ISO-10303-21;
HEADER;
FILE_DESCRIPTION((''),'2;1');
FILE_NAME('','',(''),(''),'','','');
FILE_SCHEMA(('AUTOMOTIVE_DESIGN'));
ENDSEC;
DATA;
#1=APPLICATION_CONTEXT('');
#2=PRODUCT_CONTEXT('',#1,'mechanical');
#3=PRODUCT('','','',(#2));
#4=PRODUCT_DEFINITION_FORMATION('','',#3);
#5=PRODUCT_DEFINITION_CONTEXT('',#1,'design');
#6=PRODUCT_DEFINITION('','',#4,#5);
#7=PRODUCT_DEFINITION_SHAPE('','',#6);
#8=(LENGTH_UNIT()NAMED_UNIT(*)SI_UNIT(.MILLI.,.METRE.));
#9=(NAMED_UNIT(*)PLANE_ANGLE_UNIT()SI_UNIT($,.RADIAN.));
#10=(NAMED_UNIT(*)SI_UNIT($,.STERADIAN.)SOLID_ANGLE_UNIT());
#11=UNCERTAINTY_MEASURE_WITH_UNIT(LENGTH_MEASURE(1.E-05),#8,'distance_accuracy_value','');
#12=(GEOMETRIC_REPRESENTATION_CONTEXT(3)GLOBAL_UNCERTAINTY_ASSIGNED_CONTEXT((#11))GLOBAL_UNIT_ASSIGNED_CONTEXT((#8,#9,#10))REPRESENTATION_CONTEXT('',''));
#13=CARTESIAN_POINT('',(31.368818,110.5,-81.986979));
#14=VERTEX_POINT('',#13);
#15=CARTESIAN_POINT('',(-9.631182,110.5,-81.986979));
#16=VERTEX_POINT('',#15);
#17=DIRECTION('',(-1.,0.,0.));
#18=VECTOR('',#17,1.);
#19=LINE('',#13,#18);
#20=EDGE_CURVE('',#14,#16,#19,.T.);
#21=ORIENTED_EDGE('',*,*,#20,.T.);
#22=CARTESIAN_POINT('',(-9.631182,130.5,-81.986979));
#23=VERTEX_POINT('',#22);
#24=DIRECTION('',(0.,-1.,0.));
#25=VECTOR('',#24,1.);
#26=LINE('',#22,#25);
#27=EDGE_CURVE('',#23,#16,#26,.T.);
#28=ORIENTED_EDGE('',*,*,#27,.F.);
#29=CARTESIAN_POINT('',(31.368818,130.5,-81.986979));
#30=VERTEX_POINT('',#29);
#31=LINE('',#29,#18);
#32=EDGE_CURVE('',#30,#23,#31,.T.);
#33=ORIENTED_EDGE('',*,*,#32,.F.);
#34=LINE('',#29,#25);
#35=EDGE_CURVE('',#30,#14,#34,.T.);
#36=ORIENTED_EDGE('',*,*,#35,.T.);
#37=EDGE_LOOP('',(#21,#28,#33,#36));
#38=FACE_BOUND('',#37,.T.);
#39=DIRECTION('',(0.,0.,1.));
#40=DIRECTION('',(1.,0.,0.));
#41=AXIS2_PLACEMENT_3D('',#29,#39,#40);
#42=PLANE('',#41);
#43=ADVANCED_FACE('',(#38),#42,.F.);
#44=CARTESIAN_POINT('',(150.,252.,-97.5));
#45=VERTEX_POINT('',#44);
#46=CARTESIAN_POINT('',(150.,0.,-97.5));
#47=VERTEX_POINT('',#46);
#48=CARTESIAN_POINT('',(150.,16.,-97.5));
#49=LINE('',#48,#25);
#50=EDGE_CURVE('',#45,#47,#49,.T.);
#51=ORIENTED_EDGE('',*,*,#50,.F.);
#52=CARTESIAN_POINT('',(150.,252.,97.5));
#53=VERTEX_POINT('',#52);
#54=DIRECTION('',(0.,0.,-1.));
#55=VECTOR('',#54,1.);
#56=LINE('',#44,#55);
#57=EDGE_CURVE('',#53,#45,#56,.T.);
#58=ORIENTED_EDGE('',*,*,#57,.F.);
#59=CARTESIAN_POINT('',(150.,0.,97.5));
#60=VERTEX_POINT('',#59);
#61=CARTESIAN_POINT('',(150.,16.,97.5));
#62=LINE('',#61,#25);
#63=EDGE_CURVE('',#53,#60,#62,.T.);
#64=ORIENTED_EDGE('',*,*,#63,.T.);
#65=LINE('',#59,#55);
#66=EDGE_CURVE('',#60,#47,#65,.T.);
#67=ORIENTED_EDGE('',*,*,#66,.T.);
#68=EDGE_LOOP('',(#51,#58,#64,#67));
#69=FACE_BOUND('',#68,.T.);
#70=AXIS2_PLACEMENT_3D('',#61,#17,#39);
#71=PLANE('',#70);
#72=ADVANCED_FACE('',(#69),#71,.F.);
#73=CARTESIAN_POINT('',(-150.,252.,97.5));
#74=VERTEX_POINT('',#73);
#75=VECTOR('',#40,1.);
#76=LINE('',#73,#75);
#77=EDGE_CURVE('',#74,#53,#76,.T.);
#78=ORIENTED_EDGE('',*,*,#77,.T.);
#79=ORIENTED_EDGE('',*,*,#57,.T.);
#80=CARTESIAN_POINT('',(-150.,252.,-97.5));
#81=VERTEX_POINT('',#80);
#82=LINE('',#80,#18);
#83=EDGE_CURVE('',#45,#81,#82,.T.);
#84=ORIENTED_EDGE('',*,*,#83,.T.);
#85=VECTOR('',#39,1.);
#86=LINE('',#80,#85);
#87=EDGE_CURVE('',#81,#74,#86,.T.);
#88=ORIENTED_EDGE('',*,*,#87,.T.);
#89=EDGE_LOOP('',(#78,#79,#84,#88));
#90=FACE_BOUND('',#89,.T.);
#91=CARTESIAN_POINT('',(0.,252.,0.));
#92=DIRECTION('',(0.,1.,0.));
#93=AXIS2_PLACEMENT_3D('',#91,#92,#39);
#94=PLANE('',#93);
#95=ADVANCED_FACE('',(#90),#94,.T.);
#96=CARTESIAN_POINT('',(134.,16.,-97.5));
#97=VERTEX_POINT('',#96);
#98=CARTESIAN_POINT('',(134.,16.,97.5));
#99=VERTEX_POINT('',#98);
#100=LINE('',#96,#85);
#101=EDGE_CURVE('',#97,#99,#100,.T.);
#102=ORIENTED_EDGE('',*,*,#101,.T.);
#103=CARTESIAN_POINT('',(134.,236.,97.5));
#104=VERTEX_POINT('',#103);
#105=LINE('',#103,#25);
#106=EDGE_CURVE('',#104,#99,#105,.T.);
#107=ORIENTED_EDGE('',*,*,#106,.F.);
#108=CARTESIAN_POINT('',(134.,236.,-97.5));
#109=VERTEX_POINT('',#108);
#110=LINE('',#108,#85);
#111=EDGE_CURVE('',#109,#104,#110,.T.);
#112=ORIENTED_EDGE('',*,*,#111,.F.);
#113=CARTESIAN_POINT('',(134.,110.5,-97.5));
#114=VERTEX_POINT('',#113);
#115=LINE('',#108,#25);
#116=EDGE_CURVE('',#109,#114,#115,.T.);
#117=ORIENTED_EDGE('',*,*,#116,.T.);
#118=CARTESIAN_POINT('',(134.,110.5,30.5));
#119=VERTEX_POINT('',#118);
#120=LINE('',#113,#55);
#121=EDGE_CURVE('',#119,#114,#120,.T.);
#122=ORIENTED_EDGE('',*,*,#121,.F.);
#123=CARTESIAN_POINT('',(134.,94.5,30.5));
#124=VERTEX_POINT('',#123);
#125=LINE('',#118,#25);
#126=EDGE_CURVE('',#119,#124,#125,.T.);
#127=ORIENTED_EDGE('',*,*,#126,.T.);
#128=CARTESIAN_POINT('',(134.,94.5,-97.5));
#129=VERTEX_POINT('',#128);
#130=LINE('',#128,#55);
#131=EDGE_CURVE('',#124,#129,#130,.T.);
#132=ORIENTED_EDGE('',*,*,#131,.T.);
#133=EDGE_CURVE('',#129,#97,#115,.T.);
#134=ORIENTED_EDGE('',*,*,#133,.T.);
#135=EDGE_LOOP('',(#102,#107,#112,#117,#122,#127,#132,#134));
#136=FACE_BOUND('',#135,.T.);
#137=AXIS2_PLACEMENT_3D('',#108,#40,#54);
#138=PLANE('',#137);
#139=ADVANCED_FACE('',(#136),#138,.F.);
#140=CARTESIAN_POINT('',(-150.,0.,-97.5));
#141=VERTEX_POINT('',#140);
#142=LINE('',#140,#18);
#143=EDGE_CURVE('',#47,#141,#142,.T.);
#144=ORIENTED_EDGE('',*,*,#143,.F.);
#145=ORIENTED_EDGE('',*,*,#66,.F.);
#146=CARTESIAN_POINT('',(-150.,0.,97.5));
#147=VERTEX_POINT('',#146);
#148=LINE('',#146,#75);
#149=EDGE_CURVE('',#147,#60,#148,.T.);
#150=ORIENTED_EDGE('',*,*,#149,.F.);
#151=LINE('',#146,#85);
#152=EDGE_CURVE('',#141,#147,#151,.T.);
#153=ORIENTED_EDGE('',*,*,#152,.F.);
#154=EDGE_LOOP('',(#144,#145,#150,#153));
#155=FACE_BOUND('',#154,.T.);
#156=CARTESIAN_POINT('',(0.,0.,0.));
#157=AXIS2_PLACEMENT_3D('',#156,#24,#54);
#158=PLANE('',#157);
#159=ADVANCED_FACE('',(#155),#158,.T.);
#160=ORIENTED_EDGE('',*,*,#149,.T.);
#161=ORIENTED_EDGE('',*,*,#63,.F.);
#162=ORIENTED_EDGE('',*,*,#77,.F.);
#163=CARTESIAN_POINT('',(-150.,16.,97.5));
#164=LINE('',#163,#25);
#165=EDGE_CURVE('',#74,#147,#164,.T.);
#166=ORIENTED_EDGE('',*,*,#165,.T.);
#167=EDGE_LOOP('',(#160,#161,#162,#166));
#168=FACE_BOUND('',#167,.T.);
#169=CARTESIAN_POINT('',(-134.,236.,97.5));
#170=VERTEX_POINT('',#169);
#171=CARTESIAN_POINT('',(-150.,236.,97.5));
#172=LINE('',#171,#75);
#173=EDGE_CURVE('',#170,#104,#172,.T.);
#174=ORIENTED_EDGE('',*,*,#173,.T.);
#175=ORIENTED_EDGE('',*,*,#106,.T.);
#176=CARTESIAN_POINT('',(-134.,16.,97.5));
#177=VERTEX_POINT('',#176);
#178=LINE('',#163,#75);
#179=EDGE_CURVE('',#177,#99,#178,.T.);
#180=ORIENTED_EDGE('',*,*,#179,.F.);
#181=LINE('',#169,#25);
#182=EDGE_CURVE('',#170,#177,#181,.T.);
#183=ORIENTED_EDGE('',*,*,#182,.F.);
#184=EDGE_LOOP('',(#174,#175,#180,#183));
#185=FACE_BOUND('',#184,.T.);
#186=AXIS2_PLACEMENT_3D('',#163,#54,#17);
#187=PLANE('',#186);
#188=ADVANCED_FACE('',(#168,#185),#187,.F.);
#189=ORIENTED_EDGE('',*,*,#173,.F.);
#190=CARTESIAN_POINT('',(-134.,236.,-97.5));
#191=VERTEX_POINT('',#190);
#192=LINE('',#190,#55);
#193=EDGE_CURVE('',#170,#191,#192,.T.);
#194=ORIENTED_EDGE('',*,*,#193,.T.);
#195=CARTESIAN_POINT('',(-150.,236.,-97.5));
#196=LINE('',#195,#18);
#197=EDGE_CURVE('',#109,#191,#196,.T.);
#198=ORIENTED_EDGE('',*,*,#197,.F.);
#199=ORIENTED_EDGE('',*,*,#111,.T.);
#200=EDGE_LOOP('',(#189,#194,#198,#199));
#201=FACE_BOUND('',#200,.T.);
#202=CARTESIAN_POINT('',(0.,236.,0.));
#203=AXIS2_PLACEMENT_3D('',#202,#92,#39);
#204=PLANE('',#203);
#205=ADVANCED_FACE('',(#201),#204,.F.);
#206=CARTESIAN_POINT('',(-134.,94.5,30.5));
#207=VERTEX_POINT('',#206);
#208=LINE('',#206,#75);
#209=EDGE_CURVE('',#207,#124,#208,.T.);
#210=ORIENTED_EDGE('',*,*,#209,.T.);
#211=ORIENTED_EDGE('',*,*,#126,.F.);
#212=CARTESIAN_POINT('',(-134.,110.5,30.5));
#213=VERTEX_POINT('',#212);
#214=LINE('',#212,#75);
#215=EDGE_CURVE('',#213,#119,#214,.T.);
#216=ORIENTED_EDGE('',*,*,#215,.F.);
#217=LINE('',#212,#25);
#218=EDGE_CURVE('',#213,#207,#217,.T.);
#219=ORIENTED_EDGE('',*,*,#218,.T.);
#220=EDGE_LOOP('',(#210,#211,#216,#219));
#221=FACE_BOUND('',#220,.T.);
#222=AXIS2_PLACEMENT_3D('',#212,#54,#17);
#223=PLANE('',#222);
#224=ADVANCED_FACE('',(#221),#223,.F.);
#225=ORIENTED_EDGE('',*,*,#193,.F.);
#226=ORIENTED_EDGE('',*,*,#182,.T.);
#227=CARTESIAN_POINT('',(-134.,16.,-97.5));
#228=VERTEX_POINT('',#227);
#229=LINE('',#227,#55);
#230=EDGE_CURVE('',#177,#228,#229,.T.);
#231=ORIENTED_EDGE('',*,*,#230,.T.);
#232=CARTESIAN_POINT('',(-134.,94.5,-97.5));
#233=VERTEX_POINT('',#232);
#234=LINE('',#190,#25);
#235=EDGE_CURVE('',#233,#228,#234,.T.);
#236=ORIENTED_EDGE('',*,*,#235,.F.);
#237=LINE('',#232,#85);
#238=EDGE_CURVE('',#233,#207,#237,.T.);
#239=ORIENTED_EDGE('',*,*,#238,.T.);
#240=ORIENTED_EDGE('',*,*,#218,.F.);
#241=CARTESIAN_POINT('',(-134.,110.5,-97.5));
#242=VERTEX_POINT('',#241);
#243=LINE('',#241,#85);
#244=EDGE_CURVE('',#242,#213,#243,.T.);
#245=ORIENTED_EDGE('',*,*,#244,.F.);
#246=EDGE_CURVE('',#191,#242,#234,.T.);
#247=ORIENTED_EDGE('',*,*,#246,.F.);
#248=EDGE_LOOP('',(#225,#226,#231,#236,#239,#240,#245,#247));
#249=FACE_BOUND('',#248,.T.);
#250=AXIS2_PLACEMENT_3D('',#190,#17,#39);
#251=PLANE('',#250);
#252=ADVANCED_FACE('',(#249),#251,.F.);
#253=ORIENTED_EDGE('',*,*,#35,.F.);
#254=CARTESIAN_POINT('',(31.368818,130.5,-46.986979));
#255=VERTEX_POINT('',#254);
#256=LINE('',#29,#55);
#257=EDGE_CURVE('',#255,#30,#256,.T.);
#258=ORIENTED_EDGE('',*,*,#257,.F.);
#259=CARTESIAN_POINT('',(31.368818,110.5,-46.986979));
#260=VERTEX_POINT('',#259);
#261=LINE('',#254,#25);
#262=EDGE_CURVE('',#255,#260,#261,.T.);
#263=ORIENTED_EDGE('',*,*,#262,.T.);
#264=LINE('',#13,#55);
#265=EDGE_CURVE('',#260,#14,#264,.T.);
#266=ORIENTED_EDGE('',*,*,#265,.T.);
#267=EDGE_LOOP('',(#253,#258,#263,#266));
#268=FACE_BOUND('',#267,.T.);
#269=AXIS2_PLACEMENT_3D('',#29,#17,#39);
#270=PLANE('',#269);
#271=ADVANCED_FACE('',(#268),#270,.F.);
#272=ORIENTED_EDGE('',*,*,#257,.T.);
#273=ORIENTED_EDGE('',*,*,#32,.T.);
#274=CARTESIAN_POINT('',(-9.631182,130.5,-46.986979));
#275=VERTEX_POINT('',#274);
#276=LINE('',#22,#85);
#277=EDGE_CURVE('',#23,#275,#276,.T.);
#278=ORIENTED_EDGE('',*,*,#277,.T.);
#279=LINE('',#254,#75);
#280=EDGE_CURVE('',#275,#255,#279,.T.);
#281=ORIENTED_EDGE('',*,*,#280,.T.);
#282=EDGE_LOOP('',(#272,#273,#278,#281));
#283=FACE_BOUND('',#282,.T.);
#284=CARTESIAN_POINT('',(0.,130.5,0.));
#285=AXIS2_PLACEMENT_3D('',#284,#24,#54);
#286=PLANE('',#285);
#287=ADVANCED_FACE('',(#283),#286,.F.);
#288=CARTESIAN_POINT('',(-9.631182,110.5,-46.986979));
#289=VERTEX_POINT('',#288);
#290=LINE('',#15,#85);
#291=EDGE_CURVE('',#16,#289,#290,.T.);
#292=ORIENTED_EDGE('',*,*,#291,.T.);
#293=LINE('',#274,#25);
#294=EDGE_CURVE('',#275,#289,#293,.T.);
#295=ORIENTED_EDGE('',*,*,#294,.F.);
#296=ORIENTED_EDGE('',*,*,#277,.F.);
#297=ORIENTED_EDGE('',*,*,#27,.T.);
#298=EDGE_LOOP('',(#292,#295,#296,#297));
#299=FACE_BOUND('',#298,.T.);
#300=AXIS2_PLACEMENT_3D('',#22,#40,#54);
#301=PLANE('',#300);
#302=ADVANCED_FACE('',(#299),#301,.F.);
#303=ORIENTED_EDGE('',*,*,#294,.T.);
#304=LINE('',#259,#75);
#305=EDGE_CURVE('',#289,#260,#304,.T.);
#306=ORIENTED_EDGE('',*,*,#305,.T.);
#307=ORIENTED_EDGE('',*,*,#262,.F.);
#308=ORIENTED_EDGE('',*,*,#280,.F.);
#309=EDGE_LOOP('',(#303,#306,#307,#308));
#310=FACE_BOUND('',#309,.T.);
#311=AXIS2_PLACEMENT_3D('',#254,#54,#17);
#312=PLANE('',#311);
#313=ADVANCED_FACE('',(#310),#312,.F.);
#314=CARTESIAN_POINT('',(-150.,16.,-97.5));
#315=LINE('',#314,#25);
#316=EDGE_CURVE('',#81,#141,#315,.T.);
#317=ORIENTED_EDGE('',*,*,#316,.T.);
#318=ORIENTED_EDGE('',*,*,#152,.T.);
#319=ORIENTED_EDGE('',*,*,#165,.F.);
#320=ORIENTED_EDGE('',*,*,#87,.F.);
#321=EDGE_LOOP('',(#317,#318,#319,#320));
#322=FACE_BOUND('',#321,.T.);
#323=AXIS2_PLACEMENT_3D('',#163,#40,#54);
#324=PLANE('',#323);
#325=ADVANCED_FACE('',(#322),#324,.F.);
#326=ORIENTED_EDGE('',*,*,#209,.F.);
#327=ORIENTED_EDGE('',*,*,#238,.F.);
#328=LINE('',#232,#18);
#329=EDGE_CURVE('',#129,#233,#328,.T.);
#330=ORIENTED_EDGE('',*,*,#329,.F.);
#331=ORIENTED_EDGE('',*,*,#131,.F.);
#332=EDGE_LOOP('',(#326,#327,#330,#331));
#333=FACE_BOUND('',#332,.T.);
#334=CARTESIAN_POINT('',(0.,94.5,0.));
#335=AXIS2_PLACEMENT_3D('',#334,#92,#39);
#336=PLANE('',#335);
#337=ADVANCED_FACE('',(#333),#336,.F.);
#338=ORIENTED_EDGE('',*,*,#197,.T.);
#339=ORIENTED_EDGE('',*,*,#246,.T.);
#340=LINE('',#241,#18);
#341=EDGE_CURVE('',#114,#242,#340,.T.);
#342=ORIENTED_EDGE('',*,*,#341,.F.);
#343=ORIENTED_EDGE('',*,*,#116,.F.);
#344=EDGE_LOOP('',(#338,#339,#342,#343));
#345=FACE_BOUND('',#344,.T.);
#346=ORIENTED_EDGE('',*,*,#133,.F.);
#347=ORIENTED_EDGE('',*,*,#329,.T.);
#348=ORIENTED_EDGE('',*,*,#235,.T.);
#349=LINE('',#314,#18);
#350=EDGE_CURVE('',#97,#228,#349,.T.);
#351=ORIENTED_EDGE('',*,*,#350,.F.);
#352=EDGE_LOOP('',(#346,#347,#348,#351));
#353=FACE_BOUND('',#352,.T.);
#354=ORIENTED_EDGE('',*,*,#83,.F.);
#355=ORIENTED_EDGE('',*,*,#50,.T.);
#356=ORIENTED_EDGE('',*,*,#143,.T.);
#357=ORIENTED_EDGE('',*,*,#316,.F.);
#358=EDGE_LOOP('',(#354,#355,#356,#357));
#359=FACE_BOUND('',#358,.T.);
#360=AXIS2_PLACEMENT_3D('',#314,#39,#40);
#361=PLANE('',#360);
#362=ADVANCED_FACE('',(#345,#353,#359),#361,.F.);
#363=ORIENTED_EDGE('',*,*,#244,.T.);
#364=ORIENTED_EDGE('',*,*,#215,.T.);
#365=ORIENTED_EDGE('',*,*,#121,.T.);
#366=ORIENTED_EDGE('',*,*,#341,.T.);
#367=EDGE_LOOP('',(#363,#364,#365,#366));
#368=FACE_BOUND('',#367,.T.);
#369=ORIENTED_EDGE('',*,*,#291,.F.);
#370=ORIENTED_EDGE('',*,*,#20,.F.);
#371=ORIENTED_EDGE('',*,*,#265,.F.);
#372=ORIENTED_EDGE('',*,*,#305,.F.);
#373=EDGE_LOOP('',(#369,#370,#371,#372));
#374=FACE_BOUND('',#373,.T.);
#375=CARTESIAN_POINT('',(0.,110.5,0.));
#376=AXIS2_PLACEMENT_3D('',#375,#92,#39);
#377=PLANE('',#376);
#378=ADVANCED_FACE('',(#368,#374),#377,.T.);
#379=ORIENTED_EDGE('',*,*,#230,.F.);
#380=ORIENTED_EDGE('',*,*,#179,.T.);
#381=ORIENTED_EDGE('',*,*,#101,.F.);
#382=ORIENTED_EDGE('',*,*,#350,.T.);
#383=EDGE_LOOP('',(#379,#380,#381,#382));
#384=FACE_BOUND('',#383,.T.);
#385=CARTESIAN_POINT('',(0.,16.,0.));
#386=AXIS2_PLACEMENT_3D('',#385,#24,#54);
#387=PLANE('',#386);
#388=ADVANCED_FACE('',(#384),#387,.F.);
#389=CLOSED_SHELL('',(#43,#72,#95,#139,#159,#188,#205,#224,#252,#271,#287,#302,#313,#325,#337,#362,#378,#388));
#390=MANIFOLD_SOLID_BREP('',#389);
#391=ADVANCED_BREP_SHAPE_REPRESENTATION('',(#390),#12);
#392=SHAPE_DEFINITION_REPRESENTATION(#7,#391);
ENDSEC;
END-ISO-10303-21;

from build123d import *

# Parameters (mm, degrees)
CROQUIS1_W              = 300
CROQUIS1_H              = 195
SALIENTE_EXTRUIR1_DEPTH = 16
CROQUIS2_W              = 16
CROQUIS2_H              = 195
SALIENTE_EXTRUIR2_DEPTH = 220
CROQUIS7_W              = 300
CROQUIS7_H              = 195
SALIENTE_EXTRUIR4_DEPTH = 16
CROQUIS8_W              = 268
CROQUIS8_H              = 128
SALIENTE_EXTRUIR5_DEPTH = 16
CROQUIS11_W             = 41
CROQUIS11_H             = 35
SALIENTE_EXTRUIR6_DEPTH = 20


with BuildPart() as part:
    # Croquis1 → Saliente-Extruir1 (new body)
    with BuildSketch(Plane(origin=(0, 0, 0), x_dir=(1, 0, 0), z_dir=(0, 1, 0))):
        Rectangle(CROQUIS1_W, CROQUIS1_H)
    extrude(amount=SALIENTE_EXTRUIR1_DEPTH)

    # Croquis2 → Saliente-Extruir2 (add)
    with BuildSketch(Plane(origin=(0, 16, 0), x_dir=(1, 0, 0), z_dir=(0, 1, 0))):
        with Locations((-142, 0)):
            Rectangle(CROQUIS2_W, CROQUIS2_H)
        with Locations((142, 0)):
            Rectangle(CROQUIS2_W, CROQUIS2_H)
    extrude(amount=SALIENTE_EXTRUIR2_DEPTH)

    # Croquis7 → Saliente-Extruir4 (add)
    with BuildSketch(Plane(origin=(0, 236, 0), x_dir=(1, 0, 0), z_dir=(0, 1, 0))):
        Rectangle(CROQUIS7_W, CROQUIS7_H)
    extrude(amount=SALIENTE_EXTRUIR4_DEPTH)

    # Croquis8 → Saliente-Extruir5 (add)
    with BuildSketch(Plane(origin=(0, 94.5, 0), x_dir=(1, 0, 0), z_dir=(0, 1, 0))):
        with Locations((0, 33.5)):
            Rectangle(CROQUIS8_W, CROQUIS8_H)
    extrude(amount=SALIENTE_EXTRUIR5_DEPTH)

    # Croquis11 → Saliente-Extruir6 (add)
    with BuildSketch(Plane(origin=(0, 110.5, 0), x_dir=(1, 0, 0), z_dir=(0, 1, 0))):
        with Locations((10.868818232, 64.486978539)):
            Rectangle(CROQUIS11_W, CROQUIS11_H)
    extrude(amount=SALIENTE_EXTRUIR6_DEPTH)


solid = part.part
